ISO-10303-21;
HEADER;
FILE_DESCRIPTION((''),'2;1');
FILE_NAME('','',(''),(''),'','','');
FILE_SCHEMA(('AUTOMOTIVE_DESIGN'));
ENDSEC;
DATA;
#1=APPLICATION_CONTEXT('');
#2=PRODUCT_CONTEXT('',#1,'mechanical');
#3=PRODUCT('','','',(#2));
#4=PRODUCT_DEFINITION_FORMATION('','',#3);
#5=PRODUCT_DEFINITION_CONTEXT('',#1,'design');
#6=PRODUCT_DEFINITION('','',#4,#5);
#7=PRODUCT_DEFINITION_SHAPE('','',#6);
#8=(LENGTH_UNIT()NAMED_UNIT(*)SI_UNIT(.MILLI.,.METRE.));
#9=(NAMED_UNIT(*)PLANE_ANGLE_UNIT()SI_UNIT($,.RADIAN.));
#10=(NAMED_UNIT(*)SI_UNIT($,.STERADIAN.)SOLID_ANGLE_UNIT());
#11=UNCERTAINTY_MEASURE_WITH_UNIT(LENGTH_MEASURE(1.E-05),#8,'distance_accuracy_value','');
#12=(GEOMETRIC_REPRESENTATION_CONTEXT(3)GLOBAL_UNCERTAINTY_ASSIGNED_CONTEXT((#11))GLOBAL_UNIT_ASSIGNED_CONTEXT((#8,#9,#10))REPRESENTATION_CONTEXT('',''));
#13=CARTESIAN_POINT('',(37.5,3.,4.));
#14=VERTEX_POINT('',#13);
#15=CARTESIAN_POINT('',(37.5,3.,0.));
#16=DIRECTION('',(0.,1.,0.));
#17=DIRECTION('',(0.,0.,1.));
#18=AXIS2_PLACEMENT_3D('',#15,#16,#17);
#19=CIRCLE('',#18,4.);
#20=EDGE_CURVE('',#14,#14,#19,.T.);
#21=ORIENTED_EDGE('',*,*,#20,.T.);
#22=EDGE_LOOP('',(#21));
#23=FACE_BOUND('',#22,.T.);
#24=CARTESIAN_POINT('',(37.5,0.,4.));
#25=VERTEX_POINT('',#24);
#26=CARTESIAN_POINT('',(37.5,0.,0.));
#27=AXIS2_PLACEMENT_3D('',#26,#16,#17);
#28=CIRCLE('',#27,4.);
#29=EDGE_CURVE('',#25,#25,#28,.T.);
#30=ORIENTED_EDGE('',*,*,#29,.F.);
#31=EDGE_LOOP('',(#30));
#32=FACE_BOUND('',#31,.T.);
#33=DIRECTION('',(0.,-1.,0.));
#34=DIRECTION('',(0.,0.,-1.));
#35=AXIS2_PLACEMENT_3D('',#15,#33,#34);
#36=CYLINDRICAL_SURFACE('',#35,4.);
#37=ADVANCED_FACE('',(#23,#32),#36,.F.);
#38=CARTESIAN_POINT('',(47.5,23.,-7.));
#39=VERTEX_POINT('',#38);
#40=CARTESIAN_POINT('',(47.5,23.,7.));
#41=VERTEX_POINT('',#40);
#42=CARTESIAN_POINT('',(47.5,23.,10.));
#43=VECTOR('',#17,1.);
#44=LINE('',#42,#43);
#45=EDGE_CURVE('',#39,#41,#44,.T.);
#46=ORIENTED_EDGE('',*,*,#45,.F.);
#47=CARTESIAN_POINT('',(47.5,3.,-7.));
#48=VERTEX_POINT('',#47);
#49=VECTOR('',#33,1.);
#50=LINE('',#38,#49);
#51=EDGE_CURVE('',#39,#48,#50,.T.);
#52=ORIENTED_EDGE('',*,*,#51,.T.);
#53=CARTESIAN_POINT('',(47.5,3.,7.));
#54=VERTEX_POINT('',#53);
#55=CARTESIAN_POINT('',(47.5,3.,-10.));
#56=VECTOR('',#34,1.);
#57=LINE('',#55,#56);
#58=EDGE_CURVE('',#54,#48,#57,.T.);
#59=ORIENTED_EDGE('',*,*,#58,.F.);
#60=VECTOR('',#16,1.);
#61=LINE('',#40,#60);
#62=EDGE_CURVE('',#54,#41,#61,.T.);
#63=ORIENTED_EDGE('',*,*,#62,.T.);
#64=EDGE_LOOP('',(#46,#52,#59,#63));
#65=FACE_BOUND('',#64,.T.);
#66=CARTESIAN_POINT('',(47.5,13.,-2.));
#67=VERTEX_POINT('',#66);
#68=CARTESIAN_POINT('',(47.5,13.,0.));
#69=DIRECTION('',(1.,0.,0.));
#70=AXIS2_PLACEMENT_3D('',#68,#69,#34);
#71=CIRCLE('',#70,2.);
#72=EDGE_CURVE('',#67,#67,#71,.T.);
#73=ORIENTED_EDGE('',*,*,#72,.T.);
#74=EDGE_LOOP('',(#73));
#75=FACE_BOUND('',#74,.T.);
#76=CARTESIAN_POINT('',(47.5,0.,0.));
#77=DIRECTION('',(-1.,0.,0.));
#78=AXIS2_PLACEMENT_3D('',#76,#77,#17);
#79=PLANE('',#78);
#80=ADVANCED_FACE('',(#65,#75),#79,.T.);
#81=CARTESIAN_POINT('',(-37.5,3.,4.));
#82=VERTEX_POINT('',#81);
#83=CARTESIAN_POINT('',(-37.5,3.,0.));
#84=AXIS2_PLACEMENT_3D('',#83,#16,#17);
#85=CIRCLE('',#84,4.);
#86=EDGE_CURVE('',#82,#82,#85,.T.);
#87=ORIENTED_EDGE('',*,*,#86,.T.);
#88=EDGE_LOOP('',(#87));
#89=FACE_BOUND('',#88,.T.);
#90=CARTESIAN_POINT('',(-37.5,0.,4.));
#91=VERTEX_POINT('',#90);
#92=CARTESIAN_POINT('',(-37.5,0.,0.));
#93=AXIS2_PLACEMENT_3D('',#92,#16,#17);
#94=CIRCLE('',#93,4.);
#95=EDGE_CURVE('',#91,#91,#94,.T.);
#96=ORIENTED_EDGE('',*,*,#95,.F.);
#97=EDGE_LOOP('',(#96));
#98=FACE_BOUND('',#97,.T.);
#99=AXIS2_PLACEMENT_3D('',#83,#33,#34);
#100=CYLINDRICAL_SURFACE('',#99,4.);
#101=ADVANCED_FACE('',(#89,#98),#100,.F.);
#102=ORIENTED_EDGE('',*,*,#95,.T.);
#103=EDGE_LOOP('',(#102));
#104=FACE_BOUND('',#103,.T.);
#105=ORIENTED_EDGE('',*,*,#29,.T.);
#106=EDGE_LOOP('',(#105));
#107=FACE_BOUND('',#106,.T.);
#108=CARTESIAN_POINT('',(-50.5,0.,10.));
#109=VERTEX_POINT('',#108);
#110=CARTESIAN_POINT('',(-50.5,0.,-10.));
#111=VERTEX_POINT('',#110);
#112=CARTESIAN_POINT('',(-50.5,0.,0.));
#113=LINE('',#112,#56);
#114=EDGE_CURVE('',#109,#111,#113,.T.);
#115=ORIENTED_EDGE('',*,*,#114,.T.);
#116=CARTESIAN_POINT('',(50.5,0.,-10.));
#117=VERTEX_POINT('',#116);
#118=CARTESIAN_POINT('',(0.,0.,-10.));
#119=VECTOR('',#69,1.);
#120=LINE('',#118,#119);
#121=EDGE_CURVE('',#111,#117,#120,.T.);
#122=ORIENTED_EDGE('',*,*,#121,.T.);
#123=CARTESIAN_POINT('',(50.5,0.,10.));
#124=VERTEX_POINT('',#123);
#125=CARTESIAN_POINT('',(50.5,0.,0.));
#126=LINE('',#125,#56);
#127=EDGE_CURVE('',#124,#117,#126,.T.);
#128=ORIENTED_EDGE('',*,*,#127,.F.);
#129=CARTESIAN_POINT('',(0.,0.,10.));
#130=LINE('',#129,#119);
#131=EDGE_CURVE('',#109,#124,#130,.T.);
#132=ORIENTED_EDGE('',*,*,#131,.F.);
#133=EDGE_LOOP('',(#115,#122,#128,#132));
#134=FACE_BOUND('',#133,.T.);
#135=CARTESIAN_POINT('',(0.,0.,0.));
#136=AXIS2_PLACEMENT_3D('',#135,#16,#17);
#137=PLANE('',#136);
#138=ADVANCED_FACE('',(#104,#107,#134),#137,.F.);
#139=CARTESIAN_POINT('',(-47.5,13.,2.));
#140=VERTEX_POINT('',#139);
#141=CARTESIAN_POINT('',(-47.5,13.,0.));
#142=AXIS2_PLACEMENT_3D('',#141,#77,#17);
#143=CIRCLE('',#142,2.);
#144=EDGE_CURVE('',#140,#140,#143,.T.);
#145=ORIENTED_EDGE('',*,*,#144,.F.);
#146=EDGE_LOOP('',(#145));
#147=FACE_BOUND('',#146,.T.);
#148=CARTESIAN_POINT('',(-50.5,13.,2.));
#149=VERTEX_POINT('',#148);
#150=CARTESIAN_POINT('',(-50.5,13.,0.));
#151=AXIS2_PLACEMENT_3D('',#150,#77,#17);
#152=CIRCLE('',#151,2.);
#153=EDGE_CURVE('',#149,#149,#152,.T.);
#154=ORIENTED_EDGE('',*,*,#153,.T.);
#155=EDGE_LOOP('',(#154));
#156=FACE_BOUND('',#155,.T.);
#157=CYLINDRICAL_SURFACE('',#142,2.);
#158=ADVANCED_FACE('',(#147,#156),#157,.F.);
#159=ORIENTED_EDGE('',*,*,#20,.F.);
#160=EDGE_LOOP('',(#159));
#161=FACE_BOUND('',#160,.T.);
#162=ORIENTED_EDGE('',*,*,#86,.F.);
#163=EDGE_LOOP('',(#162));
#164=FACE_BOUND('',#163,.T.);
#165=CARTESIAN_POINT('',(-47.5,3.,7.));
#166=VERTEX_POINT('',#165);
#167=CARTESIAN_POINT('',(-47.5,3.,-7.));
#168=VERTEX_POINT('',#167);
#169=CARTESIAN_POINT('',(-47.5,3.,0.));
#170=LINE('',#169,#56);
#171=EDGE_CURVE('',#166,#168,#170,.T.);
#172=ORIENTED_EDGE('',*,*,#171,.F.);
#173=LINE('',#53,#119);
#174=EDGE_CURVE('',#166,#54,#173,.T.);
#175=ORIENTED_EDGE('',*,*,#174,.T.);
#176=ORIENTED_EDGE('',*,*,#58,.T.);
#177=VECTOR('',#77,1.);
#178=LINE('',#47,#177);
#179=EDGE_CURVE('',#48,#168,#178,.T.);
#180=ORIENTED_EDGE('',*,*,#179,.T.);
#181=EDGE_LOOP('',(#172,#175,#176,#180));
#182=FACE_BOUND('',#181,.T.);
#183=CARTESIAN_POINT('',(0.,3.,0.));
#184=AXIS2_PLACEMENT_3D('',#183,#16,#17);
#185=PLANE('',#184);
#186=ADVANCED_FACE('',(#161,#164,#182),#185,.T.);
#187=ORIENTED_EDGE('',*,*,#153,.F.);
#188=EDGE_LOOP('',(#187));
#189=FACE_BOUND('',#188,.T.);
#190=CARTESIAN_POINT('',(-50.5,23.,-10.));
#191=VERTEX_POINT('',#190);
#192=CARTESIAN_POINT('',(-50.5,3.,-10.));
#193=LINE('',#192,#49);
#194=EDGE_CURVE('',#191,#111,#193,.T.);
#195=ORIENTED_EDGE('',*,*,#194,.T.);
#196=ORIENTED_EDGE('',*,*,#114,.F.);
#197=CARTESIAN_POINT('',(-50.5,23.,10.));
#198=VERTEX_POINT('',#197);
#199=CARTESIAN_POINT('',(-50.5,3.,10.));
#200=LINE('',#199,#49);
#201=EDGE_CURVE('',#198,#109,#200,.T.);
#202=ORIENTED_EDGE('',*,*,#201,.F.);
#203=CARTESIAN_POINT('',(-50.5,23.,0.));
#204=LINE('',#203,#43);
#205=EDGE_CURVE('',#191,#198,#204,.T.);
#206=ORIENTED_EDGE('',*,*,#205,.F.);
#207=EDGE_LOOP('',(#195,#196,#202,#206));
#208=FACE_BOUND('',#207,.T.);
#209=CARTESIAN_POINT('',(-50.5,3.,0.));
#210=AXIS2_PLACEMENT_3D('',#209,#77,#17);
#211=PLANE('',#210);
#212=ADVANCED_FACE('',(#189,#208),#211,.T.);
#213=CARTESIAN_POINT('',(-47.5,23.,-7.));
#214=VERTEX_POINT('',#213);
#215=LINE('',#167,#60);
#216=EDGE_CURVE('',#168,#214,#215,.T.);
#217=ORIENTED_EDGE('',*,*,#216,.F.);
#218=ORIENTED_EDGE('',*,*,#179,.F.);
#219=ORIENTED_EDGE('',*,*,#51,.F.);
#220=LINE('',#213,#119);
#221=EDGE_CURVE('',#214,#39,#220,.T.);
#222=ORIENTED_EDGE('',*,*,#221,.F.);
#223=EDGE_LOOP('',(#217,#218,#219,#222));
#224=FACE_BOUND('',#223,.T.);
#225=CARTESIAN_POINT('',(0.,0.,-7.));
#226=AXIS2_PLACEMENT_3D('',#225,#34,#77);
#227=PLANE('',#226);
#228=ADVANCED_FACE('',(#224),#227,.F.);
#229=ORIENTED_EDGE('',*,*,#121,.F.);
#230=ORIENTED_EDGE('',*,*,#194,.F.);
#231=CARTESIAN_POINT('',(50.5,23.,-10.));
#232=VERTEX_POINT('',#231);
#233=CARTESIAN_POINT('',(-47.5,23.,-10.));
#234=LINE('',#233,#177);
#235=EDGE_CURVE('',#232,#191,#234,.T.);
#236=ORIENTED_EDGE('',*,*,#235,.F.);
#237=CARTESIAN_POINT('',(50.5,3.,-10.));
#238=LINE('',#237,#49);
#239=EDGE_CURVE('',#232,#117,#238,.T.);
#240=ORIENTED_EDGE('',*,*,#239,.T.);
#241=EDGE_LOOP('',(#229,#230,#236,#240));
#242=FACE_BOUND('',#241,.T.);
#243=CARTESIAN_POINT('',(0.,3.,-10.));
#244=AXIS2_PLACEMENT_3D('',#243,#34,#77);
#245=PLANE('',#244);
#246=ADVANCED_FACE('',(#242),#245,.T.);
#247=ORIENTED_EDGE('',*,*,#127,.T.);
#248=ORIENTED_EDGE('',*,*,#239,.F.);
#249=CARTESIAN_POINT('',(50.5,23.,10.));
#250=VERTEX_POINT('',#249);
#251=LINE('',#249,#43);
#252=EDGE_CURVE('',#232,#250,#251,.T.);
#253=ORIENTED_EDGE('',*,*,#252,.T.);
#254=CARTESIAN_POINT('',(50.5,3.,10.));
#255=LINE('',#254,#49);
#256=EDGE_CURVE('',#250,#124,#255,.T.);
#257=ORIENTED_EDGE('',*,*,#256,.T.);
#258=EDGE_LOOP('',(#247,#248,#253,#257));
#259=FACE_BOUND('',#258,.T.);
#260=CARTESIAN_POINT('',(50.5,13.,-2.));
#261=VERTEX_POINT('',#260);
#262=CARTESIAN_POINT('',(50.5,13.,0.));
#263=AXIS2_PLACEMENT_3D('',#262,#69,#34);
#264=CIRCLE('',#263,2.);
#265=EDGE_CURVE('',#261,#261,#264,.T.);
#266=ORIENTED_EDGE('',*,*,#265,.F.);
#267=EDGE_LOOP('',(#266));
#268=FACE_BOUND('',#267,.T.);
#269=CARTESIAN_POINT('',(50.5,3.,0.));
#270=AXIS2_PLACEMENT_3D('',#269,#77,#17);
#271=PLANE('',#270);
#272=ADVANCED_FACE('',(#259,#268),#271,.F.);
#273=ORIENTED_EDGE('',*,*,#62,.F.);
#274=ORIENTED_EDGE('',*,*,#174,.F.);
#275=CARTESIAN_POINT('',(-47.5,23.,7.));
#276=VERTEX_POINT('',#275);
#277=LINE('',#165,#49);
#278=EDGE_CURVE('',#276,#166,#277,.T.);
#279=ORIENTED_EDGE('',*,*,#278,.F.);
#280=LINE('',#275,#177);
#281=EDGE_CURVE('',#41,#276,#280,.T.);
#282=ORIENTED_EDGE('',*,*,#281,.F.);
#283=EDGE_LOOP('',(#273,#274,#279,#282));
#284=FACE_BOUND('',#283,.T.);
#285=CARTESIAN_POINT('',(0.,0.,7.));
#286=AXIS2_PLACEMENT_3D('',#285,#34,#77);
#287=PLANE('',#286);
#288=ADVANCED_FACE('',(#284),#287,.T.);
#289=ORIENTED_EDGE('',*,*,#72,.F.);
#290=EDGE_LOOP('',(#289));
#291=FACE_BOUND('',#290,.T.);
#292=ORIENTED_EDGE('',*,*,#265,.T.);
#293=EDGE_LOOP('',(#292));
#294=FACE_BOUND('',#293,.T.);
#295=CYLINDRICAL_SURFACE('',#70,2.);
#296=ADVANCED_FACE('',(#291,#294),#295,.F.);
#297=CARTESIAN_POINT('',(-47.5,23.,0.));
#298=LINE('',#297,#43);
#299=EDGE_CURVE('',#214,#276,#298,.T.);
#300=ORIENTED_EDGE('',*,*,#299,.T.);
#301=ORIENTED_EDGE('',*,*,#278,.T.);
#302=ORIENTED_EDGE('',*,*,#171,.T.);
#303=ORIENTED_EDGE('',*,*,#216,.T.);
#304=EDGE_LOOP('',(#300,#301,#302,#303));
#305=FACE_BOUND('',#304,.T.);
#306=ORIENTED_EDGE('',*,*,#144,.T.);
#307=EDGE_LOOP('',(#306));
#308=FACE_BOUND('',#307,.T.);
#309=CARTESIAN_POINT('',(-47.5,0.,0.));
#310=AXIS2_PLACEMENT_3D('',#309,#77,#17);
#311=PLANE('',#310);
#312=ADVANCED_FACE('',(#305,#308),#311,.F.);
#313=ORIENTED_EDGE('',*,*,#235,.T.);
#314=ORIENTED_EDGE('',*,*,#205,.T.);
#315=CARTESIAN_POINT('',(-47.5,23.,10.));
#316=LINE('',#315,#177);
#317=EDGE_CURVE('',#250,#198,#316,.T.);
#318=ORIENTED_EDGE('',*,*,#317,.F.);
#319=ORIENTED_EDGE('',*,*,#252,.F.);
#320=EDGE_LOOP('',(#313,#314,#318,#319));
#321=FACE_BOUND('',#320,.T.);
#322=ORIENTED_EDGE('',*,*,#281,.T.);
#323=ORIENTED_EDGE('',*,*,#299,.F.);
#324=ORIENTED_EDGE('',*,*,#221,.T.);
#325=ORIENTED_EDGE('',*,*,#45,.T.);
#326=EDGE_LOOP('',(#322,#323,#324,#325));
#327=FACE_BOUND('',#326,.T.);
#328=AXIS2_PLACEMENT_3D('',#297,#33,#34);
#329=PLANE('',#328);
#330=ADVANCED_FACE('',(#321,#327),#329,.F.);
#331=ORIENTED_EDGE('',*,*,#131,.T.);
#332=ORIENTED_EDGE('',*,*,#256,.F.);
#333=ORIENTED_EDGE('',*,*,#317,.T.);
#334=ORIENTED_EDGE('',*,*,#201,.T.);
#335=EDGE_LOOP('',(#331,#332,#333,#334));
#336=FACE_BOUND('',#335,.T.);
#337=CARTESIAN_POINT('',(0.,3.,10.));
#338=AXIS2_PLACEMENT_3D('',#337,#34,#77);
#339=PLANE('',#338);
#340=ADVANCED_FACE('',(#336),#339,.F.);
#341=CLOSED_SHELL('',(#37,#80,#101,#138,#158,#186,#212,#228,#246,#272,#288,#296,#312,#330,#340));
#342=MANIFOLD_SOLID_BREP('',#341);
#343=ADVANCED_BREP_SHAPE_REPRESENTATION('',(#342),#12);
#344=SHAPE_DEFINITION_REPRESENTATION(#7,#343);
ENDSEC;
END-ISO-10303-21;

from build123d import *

# Parameters (mm, degrees)
SKETCH_1_W      = 101
SKETCH_1_H      = 20
SKETCH_1_R      = 4
EXTRUDE_1_DEPTH = 3
EXTRUDE_2_DEPTH = 3
SKETCH_3_W      = 20
SKETCH_3_H      = 20
SKETCH_3_R      = 2
EXTRUDE_3_DEPTH = 3
SKETCH_4_W      = 95
SKETCH_4_H      = 20
EXTRUDE_4_DEPTH = 3
SKETCH_5_W      = 95
SKETCH_5_H      = 20
EXTRUDE_5_DEPTH = 3


with BuildPart() as part:
    # 草图1 → 凸台-拉伸1 (new body)
    with BuildSketch(Plane(origin=(0, 0, 0), x_dir=(1, 0, 0), z_dir=(0, 1, 0))):
        Rectangle(SKETCH_1_W, SKETCH_1_H)
        with Locations((-37.5, 0)):
            Circle(SKETCH_1_R, mode=Mode.SUBTRACT)
        with Locations((37.5, 0)):
            Circle(SKETCH_1_R, mode=Mode.SUBTRACT)
    extrude(amount=EXTRUDE_1_DEPTH)

    # 草图2 → 凸台-拉伸2 (add)
    with BuildSketch(Plane.ZY.offset(50.5)):
        Polygon((-10, 23), (-10, 3), (10, 3), (10, 23), (0, 23), align=None)
        with BuildLine():
            ThreePointArc((2, 13), (-1.414213562, 11.585786438), (0, 15))
            ThreePointArc((0, 15), (1.414213562, 14.414213562), (2, 13))
        make_face(mode=Mode.SUBTRACT)
    extrude(amount=-EXTRUDE_2_DEPTH)

    # 草图3 → 凸台-拉伸3 (add)
    with BuildSketch(Plane(origin=(50.5, 0, 0), x_dir=(0, 0, -1), z_dir=(1, 0, 0))):
        with Locations((0, 13)):
            Rectangle(SKETCH_3_W, SKETCH_3_H)
        with Locations((0, 13)):
            Circle(SKETCH_3_R, mode=Mode.SUBTRACT)
    extrude(amount=-EXTRUDE_3_DEPTH)

    # 草图4 → 凸台-拉伸4 (add)
    with BuildSketch(Plane.XY.offset(10)):
        with Locations((0, 13)):
            Rectangle(SKETCH_4_W, SKETCH_4_H)
    extrude(amount=-EXTRUDE_4_DEPTH)

    # 草图5 → 凸台-拉伸5 (add)
    with BuildSketch(Plane(origin=(0, 0, -10), x_dir=(-1, 0, 0), z_dir=(0, 0, -1))):
        with Locations((0, 13)):
            Rectangle(SKETCH_5_W, SKETCH_5_H)
    extrude(amount=-EXTRUDE_5_DEPTH)


solid = part.part
